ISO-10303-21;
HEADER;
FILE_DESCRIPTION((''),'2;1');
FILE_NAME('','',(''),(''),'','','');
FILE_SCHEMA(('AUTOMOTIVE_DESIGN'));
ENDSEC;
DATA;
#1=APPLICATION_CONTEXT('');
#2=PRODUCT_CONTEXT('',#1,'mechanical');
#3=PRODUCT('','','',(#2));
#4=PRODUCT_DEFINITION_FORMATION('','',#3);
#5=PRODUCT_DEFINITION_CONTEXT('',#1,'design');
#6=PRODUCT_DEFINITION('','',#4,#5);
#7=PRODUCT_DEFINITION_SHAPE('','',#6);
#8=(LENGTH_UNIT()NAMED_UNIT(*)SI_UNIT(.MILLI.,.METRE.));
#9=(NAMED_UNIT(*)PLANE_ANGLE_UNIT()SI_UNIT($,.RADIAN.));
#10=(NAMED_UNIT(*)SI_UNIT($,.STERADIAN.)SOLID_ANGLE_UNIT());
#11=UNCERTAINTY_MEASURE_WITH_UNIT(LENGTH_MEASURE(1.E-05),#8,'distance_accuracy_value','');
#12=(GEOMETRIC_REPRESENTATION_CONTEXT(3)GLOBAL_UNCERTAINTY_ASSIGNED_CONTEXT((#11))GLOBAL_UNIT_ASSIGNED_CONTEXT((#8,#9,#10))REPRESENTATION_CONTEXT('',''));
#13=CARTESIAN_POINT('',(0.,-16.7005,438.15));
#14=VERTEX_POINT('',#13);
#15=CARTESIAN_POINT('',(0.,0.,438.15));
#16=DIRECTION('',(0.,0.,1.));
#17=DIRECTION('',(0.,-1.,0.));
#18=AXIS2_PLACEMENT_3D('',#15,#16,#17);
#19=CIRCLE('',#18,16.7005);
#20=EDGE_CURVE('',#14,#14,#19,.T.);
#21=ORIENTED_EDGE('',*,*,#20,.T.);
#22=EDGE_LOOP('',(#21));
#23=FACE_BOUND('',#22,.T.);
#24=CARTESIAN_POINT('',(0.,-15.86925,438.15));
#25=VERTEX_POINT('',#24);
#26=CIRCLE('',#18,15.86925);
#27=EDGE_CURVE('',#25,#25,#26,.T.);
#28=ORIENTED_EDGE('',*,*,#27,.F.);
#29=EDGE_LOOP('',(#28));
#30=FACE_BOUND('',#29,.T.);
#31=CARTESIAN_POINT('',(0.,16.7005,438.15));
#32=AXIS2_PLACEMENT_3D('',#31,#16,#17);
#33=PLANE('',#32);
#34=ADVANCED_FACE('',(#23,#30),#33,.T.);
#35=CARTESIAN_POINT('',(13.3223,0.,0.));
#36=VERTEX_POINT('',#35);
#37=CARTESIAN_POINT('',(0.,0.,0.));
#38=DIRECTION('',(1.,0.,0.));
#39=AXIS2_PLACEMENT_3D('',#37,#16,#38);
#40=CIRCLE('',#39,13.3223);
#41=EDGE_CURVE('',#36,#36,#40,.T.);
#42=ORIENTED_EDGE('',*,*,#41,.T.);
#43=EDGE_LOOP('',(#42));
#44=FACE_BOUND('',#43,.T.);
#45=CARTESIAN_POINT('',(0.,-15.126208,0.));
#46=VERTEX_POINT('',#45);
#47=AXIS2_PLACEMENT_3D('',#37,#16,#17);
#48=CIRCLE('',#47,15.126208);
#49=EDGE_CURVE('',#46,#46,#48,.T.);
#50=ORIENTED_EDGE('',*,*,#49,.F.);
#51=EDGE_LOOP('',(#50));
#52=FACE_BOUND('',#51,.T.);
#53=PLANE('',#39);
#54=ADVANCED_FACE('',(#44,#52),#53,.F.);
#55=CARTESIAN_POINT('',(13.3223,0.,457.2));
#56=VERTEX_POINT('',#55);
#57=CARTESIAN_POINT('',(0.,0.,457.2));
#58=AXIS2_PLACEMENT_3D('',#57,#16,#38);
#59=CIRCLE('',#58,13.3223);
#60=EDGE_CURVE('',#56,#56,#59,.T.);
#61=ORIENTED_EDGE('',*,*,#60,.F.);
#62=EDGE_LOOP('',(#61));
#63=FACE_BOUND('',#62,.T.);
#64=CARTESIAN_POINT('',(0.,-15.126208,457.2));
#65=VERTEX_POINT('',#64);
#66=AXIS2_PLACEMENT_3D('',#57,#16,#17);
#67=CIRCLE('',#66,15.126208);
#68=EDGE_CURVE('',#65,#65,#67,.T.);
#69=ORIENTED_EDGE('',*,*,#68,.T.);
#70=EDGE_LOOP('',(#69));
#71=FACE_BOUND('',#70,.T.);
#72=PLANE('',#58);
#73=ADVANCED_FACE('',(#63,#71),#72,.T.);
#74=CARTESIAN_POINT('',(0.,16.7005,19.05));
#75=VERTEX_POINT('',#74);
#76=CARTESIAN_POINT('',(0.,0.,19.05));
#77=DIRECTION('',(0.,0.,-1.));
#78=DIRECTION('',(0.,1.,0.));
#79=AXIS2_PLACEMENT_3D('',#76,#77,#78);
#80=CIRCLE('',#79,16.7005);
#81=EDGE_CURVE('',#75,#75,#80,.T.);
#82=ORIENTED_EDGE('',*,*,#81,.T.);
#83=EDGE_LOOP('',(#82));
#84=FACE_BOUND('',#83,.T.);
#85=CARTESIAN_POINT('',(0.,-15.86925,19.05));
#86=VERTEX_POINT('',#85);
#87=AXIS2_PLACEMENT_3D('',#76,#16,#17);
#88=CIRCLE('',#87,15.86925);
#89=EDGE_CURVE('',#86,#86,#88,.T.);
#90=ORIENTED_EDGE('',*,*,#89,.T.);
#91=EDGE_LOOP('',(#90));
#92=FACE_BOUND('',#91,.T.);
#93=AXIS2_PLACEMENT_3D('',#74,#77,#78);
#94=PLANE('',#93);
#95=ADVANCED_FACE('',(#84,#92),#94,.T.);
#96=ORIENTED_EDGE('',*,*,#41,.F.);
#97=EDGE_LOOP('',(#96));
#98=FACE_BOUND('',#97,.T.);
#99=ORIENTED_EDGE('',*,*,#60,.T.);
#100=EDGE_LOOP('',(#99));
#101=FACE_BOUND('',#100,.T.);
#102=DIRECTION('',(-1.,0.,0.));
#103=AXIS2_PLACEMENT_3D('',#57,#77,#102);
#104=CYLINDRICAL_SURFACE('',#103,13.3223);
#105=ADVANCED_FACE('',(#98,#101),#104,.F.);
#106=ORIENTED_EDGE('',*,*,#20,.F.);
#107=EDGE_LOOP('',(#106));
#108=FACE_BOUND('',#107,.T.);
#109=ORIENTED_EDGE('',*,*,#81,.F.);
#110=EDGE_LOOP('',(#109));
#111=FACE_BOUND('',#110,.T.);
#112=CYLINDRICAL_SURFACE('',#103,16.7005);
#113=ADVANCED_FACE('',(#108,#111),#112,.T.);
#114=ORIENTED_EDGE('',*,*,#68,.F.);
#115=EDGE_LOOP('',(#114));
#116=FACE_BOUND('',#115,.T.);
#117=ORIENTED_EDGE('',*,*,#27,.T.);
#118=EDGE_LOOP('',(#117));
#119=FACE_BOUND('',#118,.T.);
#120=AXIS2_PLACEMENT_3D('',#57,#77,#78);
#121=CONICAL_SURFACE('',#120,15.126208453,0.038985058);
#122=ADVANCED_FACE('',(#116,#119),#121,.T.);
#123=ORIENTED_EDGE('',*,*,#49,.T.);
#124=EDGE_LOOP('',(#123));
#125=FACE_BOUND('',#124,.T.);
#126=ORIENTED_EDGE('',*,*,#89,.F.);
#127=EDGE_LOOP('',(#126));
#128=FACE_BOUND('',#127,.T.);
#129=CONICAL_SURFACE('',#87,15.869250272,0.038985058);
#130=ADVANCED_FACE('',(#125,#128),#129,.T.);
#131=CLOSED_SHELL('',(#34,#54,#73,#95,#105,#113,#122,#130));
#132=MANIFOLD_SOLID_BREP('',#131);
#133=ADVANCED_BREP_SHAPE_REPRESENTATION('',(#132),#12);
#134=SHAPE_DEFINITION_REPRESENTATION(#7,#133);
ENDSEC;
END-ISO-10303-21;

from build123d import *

# Parameters (mm, degrees)
SKETCH2_R           = 16.7005
SKETCH2_R_2         = 13.3223
BOSS_EXTRUDE1_DEPTH = 457.2


with BuildPart() as part:
    # Sketch2 → Boss-Extrude1 (new body)
    with BuildSketch(Plane.XY):
        Circle(SKETCH2_R)
        Circle(SKETCH2_R_2, mode=Mode.SUBTRACT)
    extrude(amount=BOSS_EXTRUDE1_DEPTH)

    # Sketch3 → Cut-Revolve2 (revolve, cut)
    with BuildSketch(Plane(origin=(0, 0, 0), x_dir=(0, 0, -1), z_dir=(1, 0, 0)), mode=Mode.PRIVATE) as cut_revolve2_sk:
        Polygon((0, 21.813584822), (-19.05, 21.813584822), (-19.05, 16.7005), (-19.05, 15.869250272), (0, 15.126208453), align=None)
        Polygon((-457.2, 15.126208453), (-457.2, 21.813584822), (-438.15, 21.813584822), (-438.15, 16.7005), (-438.15, 15.869250272), align=None)
    revolve(cut_revolve2_sk.sketch.rotate(Axis((0, 0, 228.6), (0, 0, -1)), 180), axis=Axis((0, 0, 228.6), (0, 0, -1)), mode=Mode.SUBTRACT)


solid = part.part
